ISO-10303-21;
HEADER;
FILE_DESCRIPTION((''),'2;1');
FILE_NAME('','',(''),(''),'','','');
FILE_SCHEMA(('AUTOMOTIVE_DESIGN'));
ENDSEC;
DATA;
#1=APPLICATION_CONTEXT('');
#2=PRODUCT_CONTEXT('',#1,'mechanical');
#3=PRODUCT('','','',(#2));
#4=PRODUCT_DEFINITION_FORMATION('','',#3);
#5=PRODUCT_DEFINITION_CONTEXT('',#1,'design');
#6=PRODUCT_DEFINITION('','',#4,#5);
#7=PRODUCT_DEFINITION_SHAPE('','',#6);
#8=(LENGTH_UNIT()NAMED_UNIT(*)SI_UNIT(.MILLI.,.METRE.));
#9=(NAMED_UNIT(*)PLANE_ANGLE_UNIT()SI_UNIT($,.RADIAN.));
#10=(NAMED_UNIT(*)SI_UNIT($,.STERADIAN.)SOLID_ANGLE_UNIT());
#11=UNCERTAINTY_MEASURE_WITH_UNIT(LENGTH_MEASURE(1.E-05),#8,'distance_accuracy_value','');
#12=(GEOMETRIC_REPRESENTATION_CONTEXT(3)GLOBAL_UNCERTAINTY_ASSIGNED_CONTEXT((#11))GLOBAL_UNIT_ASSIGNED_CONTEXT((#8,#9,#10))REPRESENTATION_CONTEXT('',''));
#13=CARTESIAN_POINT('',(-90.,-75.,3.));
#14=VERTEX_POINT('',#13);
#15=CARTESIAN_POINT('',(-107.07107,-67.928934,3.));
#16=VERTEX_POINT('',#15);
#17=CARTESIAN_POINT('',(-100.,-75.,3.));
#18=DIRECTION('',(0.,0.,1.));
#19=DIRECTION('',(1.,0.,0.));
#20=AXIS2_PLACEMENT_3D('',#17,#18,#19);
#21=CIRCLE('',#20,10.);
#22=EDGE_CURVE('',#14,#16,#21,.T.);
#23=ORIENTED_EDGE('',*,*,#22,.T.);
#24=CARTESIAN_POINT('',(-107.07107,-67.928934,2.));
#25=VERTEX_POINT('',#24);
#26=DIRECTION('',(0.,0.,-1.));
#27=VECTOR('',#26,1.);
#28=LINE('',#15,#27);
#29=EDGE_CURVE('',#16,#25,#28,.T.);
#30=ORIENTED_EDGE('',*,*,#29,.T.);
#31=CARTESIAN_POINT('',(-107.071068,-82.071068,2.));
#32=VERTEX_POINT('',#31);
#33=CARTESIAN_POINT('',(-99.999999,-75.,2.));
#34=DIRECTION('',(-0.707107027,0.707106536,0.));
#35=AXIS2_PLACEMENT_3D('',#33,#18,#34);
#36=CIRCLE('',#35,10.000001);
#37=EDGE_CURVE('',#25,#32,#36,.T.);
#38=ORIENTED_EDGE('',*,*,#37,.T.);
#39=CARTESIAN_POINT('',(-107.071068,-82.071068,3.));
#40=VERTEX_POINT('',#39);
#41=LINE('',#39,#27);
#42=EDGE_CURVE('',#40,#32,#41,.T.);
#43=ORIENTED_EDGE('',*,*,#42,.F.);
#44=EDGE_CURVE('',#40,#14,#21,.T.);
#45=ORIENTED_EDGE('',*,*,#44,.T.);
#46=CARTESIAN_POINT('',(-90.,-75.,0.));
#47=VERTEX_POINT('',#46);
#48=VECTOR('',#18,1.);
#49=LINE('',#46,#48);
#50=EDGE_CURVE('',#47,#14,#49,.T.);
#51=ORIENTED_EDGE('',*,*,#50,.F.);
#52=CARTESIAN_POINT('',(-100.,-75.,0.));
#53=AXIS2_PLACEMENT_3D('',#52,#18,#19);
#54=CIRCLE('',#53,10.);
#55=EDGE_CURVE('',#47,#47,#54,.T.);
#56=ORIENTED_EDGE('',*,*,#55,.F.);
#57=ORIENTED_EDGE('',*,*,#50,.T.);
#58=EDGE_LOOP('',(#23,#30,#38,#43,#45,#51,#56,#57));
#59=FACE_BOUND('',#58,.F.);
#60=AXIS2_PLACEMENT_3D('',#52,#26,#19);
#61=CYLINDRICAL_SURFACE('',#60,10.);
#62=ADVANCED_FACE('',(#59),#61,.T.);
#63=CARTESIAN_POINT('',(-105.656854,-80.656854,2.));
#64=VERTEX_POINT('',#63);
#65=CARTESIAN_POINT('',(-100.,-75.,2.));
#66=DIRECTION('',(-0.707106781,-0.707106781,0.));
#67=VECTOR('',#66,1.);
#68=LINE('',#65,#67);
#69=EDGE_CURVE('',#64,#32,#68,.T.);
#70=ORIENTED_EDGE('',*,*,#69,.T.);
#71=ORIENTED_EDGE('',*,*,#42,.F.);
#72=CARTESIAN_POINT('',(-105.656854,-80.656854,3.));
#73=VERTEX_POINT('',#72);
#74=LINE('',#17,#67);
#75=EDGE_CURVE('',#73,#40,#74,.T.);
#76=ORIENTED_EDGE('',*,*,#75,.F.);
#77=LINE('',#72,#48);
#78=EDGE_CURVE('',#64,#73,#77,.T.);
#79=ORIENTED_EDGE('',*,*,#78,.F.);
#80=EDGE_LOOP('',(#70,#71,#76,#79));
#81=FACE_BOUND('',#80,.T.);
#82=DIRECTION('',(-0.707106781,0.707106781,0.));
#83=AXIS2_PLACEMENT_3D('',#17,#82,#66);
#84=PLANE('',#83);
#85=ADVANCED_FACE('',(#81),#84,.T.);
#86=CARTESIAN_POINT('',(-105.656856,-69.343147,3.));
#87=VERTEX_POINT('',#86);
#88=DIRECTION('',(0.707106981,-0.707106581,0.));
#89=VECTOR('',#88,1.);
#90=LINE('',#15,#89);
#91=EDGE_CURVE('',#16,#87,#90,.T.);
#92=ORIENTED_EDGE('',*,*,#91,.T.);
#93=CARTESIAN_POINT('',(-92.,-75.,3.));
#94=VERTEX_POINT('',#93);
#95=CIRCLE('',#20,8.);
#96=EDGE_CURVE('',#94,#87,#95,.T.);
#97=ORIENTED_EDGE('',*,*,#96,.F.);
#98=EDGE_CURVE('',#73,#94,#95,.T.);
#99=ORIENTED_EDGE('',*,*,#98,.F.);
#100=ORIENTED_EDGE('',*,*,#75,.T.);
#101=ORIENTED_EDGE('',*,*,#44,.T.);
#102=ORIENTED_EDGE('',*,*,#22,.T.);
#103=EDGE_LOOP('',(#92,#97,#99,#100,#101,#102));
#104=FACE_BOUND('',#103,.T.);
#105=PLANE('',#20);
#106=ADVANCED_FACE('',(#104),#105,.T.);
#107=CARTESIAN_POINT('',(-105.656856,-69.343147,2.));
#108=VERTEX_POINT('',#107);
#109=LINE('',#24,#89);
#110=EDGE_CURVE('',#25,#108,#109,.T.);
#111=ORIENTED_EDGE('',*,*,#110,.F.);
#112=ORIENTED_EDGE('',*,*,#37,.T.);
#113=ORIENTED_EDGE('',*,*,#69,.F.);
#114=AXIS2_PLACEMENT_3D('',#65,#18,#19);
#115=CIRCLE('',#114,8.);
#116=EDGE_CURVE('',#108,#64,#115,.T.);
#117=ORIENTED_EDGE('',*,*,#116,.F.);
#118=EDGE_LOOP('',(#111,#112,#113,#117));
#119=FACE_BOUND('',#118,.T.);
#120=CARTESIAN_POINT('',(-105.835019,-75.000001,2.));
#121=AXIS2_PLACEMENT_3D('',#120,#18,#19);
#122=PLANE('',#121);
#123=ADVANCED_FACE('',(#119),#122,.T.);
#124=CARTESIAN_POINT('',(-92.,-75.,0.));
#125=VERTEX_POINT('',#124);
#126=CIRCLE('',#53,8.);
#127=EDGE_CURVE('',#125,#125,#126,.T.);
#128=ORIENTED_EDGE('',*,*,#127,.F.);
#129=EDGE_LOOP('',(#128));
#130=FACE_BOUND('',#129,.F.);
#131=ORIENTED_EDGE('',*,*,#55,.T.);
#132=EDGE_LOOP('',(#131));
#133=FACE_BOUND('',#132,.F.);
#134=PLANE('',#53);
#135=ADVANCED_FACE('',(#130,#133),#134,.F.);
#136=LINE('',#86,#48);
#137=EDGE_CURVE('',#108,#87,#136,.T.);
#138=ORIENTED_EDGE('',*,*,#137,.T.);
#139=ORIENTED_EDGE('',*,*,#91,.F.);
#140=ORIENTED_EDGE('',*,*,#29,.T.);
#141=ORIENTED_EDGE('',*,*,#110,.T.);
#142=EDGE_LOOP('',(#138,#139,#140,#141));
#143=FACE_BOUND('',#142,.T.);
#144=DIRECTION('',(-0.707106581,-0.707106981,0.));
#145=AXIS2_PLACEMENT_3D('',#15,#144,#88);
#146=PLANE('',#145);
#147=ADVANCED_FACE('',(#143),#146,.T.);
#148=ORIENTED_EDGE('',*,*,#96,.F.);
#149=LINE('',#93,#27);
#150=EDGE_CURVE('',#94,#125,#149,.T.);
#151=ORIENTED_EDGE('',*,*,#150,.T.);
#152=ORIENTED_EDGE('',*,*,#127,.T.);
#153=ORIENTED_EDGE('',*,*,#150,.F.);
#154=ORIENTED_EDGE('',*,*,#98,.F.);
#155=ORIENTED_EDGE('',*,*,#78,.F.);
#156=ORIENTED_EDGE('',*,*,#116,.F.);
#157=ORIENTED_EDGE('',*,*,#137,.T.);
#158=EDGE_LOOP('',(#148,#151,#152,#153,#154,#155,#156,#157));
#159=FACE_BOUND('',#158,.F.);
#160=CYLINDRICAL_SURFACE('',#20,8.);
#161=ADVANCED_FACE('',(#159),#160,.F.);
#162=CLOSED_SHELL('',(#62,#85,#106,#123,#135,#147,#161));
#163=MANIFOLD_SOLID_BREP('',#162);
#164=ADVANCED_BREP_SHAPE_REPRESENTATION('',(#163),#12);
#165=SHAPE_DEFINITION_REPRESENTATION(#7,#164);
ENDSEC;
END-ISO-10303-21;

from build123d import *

# Parameters (mm, degrees)
SKETCH010_R     = 10
PAD002_DEPTH    = 3
SKETCH011_R     = 8
POCKET008_DEPTH = 5
POCKET009_DEPTH = 1


with BuildPart() as part:
    # Sketch010 → Pad002 (new body)
    with BuildSketch(Plane.XY):
        Circle(SKETCH010_R)
    extrude(amount=PAD002_DEPTH)

    # Sketch011 → Pocket008 (cut)
    with BuildSketch(Plane.XY.offset(3)):
        Circle(SKETCH011_R)
    extrude(amount=-POCKET008_DEPTH, mode=Mode.SUBTRACT)

    # Sketch012 (on Face3 of Pocket008) → Pocket009 (cut)
    with BuildSketch(Plane.XY.offset(3)):
        with BuildLine():
            ThreePointArc((-7.07107, 7.071066), (-10, -2e-06), (-7.071068, -7.071068))
            Line((0, 0), (-7.071068, -7.071068))
            Line((-7.07107, 7.071066), (0, 0))
        make_face()
    extrude(amount=-POCKET009_DEPTH, mode=Mode.SUBTRACT)


with BuildPart() as part_1:
    # Body003 placement: moved
    add(part.part.moved(Location((-100, -75, 0))))


solid = part_1.part
